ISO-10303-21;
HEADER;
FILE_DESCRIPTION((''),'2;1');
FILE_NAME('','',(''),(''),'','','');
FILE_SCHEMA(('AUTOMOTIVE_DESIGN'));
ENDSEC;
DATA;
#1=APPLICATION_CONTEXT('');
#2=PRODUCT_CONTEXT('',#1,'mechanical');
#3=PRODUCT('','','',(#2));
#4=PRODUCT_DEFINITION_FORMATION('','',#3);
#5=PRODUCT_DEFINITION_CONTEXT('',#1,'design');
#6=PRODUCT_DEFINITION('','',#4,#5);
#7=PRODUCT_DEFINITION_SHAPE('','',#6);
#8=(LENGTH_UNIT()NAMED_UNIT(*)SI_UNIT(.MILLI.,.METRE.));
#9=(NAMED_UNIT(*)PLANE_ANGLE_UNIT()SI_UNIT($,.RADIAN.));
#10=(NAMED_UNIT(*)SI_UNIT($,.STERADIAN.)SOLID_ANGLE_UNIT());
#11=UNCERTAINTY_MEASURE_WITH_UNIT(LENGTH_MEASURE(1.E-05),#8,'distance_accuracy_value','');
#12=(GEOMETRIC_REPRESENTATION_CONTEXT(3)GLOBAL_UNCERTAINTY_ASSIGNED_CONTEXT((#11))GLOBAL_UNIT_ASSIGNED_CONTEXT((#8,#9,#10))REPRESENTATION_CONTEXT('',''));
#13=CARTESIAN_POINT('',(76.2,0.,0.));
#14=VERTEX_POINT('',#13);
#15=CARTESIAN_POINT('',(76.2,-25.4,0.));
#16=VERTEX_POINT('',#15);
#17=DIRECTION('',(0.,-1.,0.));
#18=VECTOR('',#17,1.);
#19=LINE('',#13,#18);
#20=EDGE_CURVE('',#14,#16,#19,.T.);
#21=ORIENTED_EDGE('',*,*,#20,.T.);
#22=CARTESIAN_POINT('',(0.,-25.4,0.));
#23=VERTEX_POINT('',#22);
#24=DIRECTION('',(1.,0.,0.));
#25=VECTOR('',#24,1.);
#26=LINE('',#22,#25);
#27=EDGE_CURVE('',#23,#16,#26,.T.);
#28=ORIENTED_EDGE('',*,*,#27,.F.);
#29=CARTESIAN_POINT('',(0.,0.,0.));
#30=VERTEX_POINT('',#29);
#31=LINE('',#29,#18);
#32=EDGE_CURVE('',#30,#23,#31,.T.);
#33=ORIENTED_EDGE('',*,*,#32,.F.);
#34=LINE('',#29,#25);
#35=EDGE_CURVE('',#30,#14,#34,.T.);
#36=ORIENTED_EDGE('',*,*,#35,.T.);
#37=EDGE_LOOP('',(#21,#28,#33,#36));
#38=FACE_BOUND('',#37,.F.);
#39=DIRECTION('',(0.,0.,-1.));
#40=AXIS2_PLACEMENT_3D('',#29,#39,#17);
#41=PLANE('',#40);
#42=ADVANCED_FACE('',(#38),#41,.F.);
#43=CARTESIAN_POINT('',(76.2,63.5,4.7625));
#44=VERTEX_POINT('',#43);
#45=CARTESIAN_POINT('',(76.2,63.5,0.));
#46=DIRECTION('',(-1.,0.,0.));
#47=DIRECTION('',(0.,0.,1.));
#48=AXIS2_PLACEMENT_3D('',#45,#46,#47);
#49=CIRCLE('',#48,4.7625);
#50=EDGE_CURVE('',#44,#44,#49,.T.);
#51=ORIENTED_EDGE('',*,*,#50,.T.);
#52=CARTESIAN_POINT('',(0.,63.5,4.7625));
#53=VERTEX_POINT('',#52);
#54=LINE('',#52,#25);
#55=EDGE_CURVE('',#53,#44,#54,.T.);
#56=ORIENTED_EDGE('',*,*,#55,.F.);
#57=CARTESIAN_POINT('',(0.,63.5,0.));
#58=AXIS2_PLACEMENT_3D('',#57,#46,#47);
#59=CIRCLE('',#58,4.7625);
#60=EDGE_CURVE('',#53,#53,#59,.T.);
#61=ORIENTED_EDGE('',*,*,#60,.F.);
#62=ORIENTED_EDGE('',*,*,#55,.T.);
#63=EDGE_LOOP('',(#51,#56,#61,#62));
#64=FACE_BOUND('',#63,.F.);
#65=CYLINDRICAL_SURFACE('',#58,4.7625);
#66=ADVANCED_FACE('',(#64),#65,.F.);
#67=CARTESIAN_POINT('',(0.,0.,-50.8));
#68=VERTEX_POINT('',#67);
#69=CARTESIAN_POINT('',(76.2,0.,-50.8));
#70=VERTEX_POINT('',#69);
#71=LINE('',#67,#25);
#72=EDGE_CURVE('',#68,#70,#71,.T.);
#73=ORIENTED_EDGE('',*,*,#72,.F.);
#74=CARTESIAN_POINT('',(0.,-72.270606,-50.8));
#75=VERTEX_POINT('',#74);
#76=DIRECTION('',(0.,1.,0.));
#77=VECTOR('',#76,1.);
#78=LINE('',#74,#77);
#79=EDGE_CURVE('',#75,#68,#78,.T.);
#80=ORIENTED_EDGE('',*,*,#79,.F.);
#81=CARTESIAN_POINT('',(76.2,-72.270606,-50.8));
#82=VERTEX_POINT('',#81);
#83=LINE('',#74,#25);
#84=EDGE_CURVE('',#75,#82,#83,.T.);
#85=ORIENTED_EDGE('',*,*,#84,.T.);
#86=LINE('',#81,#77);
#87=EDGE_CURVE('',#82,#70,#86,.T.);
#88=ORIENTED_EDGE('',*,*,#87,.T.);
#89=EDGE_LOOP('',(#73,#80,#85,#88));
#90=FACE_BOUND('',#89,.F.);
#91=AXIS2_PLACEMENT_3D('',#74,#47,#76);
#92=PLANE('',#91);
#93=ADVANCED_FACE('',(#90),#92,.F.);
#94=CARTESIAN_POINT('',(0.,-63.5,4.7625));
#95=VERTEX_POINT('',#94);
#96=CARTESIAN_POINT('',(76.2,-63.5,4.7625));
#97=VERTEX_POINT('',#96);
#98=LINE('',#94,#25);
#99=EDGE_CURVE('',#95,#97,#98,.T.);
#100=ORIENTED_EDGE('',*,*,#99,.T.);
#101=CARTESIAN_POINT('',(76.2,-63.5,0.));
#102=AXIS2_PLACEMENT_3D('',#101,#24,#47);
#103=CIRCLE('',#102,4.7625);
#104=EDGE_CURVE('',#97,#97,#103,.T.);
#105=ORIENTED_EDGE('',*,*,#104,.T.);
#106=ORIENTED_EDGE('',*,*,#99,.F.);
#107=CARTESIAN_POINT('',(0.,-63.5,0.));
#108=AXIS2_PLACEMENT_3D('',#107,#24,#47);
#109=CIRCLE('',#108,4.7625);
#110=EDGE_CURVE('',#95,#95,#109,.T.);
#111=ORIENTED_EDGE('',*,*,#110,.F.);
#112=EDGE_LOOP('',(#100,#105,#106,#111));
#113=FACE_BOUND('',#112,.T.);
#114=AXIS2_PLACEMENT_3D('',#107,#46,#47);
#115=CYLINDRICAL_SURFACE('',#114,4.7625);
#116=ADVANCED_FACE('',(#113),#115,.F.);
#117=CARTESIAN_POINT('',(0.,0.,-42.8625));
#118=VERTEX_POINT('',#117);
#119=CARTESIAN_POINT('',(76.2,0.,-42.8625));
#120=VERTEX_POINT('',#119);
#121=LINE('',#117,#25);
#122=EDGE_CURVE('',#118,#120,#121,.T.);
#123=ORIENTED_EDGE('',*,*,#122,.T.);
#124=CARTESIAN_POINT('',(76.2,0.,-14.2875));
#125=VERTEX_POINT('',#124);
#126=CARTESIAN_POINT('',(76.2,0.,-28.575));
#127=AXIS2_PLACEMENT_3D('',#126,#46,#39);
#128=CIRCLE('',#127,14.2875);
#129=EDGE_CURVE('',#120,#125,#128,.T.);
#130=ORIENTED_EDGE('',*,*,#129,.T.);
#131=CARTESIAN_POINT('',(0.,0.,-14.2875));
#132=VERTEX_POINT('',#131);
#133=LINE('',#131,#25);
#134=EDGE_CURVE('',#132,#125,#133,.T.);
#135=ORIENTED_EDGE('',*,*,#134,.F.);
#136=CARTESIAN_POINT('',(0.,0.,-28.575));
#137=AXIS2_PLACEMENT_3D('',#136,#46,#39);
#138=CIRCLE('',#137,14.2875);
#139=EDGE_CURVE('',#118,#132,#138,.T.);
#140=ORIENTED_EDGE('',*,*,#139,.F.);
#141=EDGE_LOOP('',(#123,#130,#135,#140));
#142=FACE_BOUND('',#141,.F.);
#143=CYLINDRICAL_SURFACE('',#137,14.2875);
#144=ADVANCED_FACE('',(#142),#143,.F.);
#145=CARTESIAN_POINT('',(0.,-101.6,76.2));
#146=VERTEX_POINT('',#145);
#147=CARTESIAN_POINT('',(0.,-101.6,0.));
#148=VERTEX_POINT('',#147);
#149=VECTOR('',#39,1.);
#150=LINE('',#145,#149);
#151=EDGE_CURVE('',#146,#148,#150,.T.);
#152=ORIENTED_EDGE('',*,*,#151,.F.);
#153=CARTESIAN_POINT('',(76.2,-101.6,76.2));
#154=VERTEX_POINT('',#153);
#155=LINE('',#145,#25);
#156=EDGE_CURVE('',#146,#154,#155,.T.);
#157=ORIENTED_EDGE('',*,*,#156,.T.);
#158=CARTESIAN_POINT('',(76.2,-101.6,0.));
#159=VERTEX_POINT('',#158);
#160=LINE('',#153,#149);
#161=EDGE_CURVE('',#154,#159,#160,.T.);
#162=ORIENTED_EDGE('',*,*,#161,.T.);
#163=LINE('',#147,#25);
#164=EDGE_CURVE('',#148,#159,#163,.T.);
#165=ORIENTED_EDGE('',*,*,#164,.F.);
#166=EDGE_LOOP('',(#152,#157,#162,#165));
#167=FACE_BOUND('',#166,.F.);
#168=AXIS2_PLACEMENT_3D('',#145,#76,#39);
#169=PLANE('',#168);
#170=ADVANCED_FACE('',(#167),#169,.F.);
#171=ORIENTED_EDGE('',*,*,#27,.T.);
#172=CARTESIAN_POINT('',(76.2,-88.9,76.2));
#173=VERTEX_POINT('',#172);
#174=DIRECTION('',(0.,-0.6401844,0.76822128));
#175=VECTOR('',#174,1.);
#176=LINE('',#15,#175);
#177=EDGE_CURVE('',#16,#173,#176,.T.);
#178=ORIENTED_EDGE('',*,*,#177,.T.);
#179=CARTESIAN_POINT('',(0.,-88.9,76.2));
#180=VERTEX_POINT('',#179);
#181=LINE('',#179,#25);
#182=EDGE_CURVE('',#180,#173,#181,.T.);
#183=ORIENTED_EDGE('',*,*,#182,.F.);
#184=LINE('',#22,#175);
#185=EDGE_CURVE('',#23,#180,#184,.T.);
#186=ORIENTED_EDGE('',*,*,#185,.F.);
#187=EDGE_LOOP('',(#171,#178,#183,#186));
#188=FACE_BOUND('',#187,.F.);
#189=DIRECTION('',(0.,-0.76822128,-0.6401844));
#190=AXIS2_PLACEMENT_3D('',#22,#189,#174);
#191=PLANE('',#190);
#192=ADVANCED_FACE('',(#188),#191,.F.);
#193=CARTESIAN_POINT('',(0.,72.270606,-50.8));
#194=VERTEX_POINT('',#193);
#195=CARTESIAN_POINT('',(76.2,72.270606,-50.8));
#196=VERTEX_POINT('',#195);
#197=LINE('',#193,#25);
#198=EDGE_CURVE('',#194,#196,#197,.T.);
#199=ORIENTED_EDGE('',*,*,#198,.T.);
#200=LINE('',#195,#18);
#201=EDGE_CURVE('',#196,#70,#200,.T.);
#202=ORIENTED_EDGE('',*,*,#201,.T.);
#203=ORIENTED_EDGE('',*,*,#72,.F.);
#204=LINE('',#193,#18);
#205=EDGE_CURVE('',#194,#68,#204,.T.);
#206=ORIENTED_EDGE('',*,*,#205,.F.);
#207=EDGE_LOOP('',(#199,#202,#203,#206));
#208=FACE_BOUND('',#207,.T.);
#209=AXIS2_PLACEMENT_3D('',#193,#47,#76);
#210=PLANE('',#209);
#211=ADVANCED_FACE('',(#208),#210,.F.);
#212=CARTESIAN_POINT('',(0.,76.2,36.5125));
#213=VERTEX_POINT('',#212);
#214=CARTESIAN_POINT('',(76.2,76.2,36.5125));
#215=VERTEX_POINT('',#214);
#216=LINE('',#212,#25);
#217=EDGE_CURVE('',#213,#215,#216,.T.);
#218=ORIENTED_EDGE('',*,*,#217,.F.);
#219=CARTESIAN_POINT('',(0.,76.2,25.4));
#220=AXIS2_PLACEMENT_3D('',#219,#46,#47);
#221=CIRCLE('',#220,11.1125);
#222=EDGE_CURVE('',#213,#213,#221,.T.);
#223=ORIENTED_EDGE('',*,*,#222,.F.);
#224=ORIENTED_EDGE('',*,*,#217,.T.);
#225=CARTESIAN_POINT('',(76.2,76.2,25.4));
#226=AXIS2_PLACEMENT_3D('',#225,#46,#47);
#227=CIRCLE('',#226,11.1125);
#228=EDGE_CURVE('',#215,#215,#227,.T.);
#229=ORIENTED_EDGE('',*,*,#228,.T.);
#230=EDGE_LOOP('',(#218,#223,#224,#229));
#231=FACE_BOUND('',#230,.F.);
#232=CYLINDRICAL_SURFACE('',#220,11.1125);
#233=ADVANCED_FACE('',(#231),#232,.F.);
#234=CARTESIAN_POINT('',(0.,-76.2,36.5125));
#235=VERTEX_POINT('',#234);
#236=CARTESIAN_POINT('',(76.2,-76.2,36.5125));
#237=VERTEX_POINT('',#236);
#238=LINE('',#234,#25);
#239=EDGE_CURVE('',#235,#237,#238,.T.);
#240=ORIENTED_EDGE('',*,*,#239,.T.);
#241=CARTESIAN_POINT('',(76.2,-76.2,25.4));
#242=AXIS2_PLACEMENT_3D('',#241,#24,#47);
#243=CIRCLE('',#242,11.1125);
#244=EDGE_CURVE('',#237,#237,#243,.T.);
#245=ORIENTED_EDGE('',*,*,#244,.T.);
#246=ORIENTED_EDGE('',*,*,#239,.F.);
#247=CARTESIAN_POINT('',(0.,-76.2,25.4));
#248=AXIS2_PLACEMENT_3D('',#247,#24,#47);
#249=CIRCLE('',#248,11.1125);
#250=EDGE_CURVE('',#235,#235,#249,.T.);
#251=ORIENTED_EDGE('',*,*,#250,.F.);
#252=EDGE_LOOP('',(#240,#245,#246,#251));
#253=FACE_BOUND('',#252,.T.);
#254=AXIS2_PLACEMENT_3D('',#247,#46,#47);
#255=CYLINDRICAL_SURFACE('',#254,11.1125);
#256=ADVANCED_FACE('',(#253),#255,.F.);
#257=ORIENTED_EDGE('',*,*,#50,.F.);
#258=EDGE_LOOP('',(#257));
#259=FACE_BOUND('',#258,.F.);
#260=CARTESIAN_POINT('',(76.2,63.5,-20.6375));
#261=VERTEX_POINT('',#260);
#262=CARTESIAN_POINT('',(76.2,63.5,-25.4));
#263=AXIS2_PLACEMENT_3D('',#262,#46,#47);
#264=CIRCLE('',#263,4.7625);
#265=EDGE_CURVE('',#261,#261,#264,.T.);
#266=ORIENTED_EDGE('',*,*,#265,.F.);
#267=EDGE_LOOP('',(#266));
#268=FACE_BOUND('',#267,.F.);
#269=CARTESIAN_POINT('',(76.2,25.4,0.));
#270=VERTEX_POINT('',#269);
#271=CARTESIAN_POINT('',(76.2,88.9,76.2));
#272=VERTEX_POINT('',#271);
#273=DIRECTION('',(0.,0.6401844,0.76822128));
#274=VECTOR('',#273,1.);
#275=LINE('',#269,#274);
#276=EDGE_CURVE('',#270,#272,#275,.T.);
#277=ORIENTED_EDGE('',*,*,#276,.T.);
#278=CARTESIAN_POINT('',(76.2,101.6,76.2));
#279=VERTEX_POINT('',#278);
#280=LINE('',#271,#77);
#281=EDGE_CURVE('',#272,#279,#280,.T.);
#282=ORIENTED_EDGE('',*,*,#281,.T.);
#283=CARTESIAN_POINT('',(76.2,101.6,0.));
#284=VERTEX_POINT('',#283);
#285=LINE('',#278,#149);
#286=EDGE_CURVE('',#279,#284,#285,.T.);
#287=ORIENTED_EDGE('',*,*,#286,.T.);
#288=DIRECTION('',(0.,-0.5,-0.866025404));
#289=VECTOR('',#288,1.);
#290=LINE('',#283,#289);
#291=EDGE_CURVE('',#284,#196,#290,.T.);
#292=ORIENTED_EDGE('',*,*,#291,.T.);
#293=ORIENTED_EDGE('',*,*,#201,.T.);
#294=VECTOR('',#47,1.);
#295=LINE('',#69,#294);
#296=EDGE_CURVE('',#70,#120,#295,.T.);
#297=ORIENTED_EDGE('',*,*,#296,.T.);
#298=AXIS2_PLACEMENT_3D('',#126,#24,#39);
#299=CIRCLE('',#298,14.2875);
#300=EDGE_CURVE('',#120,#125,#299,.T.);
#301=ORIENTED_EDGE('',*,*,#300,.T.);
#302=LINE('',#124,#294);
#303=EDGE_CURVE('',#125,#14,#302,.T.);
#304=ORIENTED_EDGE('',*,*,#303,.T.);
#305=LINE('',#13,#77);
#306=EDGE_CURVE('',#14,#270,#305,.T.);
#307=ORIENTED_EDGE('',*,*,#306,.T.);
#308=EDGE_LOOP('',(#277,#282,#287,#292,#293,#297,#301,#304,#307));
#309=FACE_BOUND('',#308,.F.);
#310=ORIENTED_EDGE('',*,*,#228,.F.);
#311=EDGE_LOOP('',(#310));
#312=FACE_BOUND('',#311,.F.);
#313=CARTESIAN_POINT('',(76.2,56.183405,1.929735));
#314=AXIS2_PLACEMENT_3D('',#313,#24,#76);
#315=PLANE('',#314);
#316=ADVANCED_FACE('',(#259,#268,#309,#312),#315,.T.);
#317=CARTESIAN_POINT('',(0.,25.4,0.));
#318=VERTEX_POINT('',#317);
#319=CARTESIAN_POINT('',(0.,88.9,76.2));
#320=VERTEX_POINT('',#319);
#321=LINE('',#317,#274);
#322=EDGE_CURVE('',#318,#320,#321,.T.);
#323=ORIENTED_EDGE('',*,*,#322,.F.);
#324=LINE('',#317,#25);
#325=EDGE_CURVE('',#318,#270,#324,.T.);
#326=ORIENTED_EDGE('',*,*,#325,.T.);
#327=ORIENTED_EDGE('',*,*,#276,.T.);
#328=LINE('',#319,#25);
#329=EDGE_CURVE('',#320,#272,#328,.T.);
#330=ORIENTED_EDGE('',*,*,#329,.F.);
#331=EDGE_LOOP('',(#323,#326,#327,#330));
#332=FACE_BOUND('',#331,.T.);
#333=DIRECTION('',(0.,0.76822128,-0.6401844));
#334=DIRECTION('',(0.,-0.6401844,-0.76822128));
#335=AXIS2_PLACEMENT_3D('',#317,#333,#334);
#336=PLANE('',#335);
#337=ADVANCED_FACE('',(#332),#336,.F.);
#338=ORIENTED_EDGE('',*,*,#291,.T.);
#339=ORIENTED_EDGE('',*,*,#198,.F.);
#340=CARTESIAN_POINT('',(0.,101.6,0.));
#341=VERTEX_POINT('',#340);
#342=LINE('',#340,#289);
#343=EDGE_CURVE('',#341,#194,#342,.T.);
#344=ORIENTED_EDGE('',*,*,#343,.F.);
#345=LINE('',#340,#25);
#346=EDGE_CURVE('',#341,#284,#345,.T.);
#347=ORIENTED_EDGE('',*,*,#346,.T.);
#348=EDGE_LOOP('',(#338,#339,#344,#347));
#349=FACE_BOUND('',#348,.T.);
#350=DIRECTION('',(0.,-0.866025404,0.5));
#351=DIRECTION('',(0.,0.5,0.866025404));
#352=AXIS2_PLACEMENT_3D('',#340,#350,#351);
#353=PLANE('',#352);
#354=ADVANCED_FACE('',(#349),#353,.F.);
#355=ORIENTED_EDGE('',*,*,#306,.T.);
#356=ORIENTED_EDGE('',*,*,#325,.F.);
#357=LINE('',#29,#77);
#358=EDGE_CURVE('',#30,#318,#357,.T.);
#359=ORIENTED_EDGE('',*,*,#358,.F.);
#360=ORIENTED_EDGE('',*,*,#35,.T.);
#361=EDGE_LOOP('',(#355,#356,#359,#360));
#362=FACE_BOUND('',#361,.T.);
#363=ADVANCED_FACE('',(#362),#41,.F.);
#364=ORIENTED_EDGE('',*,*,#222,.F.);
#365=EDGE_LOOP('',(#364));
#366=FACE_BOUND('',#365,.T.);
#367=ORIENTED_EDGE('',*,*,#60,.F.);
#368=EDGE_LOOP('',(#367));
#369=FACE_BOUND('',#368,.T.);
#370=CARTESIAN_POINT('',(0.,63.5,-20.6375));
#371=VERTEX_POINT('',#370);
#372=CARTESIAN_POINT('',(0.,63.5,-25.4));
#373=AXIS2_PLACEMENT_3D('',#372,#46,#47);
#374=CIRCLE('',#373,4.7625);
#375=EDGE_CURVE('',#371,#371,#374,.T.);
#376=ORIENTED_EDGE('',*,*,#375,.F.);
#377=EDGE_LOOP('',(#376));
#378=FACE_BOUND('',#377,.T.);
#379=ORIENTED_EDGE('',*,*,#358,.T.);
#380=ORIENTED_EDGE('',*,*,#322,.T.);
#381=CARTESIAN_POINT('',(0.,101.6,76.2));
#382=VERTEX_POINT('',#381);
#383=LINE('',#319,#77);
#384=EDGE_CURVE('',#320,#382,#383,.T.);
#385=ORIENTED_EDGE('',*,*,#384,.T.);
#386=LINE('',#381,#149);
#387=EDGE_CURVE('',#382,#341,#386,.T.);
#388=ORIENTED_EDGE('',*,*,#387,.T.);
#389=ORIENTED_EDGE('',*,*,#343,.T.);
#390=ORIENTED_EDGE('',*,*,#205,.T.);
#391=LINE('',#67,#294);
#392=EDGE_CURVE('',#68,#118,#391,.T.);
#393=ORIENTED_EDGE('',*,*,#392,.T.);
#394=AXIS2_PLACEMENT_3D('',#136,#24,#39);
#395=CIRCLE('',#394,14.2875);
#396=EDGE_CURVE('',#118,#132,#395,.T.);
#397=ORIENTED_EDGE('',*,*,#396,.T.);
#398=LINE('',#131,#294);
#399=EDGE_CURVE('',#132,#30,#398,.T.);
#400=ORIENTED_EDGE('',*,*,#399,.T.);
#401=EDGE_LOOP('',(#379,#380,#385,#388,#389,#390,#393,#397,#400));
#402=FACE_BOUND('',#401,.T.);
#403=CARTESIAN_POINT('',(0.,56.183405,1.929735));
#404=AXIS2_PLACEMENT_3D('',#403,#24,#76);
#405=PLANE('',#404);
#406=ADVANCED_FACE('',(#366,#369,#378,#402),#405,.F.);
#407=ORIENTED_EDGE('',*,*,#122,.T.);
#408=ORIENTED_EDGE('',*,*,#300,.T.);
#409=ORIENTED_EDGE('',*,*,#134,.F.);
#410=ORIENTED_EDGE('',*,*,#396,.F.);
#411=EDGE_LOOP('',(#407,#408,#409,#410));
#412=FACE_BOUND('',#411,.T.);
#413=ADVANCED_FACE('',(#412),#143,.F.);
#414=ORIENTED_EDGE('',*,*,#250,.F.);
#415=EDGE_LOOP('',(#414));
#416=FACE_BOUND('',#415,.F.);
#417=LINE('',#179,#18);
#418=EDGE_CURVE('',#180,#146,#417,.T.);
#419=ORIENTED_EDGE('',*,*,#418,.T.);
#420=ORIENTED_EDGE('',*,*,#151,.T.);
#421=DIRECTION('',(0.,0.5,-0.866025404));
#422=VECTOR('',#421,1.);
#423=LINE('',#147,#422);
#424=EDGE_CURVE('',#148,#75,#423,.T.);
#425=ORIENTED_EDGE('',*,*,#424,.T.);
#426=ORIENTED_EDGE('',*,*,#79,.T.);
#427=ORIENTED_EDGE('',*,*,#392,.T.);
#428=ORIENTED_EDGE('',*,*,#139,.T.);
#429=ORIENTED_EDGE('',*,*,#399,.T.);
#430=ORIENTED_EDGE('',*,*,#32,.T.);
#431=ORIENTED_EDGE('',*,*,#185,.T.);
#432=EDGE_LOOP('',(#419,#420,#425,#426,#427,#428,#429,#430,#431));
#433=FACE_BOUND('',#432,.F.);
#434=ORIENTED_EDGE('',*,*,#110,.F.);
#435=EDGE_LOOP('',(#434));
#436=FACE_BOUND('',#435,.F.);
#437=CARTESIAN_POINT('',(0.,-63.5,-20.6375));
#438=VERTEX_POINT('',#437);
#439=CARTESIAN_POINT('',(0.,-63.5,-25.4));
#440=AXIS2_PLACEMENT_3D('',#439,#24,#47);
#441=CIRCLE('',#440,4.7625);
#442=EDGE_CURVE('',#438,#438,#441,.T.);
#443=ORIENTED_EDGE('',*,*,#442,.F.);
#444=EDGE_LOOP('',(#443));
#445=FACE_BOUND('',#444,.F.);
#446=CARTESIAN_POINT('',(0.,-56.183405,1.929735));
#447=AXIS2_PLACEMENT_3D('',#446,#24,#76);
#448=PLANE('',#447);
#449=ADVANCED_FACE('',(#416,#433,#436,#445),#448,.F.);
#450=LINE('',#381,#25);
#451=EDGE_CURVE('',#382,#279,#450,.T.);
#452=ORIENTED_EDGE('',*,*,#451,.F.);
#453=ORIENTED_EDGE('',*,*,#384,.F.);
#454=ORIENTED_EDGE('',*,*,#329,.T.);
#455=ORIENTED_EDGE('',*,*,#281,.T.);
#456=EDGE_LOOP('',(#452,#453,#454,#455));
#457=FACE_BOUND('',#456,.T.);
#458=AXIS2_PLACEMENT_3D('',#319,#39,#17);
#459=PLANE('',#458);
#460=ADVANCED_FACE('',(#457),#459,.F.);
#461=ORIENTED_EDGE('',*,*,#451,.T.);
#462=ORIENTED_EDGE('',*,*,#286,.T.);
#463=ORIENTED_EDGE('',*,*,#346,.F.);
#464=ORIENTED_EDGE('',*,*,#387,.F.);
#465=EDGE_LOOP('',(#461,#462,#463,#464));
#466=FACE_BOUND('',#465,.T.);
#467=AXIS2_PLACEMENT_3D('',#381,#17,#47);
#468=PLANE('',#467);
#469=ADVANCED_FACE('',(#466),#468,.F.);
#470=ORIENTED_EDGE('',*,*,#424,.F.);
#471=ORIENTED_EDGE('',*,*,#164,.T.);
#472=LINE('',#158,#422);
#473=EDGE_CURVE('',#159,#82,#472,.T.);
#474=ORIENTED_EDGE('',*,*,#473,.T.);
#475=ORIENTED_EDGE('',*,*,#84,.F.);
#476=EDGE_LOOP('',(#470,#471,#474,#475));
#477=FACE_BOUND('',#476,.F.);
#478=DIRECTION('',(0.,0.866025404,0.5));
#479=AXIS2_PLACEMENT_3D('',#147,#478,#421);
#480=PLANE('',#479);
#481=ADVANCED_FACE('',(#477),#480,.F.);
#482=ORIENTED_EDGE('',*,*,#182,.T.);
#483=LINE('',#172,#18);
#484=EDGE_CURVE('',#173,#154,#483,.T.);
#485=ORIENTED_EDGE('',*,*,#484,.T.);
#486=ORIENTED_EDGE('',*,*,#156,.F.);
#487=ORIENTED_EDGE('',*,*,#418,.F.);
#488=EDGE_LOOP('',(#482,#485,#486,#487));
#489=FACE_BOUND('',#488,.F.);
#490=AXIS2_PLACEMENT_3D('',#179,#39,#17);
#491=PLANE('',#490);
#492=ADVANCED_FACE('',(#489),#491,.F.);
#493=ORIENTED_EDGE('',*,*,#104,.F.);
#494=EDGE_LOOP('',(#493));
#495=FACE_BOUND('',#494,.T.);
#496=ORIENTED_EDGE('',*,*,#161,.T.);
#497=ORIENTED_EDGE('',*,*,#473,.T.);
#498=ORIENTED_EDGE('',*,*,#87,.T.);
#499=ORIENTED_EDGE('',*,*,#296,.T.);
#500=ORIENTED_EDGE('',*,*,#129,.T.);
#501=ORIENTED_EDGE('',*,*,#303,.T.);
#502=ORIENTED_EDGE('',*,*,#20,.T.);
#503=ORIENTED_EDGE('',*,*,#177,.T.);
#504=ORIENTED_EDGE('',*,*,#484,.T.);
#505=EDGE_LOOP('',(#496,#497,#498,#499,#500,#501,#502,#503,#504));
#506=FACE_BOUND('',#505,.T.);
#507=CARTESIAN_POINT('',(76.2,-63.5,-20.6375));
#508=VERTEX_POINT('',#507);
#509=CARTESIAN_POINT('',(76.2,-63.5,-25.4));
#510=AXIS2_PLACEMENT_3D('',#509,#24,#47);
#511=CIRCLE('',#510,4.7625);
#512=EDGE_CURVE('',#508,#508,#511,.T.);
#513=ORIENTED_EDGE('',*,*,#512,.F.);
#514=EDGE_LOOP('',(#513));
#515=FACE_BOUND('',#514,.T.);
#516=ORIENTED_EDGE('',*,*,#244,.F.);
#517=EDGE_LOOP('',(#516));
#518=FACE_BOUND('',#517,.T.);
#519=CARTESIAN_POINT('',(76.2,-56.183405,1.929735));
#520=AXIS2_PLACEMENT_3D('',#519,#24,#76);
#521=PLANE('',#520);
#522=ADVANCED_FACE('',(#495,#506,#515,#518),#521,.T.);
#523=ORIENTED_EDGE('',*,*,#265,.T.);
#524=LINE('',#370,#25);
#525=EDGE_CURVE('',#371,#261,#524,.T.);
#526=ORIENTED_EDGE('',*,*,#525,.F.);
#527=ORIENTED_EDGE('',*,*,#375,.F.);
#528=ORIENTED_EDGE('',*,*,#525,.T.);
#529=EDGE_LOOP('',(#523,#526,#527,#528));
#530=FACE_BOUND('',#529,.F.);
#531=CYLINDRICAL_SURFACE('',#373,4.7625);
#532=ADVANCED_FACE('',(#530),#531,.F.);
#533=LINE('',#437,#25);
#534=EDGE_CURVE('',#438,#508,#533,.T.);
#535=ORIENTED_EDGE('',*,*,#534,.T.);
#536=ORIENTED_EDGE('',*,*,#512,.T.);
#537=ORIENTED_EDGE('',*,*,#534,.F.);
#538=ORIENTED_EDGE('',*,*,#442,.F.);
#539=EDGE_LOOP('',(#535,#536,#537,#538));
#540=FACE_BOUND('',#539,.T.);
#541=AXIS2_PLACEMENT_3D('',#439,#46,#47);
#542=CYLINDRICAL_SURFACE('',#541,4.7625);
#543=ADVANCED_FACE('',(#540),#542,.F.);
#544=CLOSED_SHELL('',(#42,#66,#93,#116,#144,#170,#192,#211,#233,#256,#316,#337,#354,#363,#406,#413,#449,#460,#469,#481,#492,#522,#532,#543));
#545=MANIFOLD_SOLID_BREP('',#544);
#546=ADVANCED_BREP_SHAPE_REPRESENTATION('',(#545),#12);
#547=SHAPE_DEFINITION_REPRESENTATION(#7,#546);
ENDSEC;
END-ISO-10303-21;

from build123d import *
from build123d.topology import SkipClean

# Parameters (mm, degrees)
SKETCH1_R           = 4.7625
SKETCH1_R_2         = 11.1125
BOSS_EXTRUDE3_DEPTH = 76.2


with BuildPart() as part:
    # Sketch1 → Boss-Extrude3 (new body)
    with BuildSketch(Plane.YZ):
        with BuildLine():
            Line((0, -14.2875), (0, 0))
            Line((0, 0), (-25.4, 0))
            Line((-25.4, 0), (-88.9, 76.2))
            Line((-88.9, 76.2), (-101.6, 76.2))
            Line((-101.6, 76.2), (-101.6, 0))
            Line((-101.6, 0), (-72.270606325, -50.8))
            Line((-72.270606325, -50.8), (0, -50.8))
            Line((0, -50.8), (0, -42.8625))
            ThreePointArc((0, -42.8625), (-14.2875, -28.575), (0, -14.2875))
        make_face()
        with Locations(Location((-63.5, -25.4, 0), (0, 0, 90))):
            Circle(SKETCH1_R, mode=Mode.SUBTRACT)
        with Locations(Location((-63.5, 0, 0), (0, 0, 90))):
            Circle(SKETCH1_R, mode=Mode.SUBTRACT)
        with Locations(Location((-76.2, 25.4, 0), (0, 0, 90))):
            Circle(SKETCH1_R_2, mode=Mode.SUBTRACT)
    extrude(amount=BOSS_EXTRUDE3_DEPTH)

    # Mirror1: part across plane


with BuildPart() as part_1:
    with SkipClean():  # the faces are left unmerged after this step: merging them gives an invalid solid
        add(part.part)
        add(part.part.mirror(Plane(origin=(76.2, 0, 0), x_dir=(0, 0, 1), z_dir=(0, -1, 0))))


solid = part_1.part
